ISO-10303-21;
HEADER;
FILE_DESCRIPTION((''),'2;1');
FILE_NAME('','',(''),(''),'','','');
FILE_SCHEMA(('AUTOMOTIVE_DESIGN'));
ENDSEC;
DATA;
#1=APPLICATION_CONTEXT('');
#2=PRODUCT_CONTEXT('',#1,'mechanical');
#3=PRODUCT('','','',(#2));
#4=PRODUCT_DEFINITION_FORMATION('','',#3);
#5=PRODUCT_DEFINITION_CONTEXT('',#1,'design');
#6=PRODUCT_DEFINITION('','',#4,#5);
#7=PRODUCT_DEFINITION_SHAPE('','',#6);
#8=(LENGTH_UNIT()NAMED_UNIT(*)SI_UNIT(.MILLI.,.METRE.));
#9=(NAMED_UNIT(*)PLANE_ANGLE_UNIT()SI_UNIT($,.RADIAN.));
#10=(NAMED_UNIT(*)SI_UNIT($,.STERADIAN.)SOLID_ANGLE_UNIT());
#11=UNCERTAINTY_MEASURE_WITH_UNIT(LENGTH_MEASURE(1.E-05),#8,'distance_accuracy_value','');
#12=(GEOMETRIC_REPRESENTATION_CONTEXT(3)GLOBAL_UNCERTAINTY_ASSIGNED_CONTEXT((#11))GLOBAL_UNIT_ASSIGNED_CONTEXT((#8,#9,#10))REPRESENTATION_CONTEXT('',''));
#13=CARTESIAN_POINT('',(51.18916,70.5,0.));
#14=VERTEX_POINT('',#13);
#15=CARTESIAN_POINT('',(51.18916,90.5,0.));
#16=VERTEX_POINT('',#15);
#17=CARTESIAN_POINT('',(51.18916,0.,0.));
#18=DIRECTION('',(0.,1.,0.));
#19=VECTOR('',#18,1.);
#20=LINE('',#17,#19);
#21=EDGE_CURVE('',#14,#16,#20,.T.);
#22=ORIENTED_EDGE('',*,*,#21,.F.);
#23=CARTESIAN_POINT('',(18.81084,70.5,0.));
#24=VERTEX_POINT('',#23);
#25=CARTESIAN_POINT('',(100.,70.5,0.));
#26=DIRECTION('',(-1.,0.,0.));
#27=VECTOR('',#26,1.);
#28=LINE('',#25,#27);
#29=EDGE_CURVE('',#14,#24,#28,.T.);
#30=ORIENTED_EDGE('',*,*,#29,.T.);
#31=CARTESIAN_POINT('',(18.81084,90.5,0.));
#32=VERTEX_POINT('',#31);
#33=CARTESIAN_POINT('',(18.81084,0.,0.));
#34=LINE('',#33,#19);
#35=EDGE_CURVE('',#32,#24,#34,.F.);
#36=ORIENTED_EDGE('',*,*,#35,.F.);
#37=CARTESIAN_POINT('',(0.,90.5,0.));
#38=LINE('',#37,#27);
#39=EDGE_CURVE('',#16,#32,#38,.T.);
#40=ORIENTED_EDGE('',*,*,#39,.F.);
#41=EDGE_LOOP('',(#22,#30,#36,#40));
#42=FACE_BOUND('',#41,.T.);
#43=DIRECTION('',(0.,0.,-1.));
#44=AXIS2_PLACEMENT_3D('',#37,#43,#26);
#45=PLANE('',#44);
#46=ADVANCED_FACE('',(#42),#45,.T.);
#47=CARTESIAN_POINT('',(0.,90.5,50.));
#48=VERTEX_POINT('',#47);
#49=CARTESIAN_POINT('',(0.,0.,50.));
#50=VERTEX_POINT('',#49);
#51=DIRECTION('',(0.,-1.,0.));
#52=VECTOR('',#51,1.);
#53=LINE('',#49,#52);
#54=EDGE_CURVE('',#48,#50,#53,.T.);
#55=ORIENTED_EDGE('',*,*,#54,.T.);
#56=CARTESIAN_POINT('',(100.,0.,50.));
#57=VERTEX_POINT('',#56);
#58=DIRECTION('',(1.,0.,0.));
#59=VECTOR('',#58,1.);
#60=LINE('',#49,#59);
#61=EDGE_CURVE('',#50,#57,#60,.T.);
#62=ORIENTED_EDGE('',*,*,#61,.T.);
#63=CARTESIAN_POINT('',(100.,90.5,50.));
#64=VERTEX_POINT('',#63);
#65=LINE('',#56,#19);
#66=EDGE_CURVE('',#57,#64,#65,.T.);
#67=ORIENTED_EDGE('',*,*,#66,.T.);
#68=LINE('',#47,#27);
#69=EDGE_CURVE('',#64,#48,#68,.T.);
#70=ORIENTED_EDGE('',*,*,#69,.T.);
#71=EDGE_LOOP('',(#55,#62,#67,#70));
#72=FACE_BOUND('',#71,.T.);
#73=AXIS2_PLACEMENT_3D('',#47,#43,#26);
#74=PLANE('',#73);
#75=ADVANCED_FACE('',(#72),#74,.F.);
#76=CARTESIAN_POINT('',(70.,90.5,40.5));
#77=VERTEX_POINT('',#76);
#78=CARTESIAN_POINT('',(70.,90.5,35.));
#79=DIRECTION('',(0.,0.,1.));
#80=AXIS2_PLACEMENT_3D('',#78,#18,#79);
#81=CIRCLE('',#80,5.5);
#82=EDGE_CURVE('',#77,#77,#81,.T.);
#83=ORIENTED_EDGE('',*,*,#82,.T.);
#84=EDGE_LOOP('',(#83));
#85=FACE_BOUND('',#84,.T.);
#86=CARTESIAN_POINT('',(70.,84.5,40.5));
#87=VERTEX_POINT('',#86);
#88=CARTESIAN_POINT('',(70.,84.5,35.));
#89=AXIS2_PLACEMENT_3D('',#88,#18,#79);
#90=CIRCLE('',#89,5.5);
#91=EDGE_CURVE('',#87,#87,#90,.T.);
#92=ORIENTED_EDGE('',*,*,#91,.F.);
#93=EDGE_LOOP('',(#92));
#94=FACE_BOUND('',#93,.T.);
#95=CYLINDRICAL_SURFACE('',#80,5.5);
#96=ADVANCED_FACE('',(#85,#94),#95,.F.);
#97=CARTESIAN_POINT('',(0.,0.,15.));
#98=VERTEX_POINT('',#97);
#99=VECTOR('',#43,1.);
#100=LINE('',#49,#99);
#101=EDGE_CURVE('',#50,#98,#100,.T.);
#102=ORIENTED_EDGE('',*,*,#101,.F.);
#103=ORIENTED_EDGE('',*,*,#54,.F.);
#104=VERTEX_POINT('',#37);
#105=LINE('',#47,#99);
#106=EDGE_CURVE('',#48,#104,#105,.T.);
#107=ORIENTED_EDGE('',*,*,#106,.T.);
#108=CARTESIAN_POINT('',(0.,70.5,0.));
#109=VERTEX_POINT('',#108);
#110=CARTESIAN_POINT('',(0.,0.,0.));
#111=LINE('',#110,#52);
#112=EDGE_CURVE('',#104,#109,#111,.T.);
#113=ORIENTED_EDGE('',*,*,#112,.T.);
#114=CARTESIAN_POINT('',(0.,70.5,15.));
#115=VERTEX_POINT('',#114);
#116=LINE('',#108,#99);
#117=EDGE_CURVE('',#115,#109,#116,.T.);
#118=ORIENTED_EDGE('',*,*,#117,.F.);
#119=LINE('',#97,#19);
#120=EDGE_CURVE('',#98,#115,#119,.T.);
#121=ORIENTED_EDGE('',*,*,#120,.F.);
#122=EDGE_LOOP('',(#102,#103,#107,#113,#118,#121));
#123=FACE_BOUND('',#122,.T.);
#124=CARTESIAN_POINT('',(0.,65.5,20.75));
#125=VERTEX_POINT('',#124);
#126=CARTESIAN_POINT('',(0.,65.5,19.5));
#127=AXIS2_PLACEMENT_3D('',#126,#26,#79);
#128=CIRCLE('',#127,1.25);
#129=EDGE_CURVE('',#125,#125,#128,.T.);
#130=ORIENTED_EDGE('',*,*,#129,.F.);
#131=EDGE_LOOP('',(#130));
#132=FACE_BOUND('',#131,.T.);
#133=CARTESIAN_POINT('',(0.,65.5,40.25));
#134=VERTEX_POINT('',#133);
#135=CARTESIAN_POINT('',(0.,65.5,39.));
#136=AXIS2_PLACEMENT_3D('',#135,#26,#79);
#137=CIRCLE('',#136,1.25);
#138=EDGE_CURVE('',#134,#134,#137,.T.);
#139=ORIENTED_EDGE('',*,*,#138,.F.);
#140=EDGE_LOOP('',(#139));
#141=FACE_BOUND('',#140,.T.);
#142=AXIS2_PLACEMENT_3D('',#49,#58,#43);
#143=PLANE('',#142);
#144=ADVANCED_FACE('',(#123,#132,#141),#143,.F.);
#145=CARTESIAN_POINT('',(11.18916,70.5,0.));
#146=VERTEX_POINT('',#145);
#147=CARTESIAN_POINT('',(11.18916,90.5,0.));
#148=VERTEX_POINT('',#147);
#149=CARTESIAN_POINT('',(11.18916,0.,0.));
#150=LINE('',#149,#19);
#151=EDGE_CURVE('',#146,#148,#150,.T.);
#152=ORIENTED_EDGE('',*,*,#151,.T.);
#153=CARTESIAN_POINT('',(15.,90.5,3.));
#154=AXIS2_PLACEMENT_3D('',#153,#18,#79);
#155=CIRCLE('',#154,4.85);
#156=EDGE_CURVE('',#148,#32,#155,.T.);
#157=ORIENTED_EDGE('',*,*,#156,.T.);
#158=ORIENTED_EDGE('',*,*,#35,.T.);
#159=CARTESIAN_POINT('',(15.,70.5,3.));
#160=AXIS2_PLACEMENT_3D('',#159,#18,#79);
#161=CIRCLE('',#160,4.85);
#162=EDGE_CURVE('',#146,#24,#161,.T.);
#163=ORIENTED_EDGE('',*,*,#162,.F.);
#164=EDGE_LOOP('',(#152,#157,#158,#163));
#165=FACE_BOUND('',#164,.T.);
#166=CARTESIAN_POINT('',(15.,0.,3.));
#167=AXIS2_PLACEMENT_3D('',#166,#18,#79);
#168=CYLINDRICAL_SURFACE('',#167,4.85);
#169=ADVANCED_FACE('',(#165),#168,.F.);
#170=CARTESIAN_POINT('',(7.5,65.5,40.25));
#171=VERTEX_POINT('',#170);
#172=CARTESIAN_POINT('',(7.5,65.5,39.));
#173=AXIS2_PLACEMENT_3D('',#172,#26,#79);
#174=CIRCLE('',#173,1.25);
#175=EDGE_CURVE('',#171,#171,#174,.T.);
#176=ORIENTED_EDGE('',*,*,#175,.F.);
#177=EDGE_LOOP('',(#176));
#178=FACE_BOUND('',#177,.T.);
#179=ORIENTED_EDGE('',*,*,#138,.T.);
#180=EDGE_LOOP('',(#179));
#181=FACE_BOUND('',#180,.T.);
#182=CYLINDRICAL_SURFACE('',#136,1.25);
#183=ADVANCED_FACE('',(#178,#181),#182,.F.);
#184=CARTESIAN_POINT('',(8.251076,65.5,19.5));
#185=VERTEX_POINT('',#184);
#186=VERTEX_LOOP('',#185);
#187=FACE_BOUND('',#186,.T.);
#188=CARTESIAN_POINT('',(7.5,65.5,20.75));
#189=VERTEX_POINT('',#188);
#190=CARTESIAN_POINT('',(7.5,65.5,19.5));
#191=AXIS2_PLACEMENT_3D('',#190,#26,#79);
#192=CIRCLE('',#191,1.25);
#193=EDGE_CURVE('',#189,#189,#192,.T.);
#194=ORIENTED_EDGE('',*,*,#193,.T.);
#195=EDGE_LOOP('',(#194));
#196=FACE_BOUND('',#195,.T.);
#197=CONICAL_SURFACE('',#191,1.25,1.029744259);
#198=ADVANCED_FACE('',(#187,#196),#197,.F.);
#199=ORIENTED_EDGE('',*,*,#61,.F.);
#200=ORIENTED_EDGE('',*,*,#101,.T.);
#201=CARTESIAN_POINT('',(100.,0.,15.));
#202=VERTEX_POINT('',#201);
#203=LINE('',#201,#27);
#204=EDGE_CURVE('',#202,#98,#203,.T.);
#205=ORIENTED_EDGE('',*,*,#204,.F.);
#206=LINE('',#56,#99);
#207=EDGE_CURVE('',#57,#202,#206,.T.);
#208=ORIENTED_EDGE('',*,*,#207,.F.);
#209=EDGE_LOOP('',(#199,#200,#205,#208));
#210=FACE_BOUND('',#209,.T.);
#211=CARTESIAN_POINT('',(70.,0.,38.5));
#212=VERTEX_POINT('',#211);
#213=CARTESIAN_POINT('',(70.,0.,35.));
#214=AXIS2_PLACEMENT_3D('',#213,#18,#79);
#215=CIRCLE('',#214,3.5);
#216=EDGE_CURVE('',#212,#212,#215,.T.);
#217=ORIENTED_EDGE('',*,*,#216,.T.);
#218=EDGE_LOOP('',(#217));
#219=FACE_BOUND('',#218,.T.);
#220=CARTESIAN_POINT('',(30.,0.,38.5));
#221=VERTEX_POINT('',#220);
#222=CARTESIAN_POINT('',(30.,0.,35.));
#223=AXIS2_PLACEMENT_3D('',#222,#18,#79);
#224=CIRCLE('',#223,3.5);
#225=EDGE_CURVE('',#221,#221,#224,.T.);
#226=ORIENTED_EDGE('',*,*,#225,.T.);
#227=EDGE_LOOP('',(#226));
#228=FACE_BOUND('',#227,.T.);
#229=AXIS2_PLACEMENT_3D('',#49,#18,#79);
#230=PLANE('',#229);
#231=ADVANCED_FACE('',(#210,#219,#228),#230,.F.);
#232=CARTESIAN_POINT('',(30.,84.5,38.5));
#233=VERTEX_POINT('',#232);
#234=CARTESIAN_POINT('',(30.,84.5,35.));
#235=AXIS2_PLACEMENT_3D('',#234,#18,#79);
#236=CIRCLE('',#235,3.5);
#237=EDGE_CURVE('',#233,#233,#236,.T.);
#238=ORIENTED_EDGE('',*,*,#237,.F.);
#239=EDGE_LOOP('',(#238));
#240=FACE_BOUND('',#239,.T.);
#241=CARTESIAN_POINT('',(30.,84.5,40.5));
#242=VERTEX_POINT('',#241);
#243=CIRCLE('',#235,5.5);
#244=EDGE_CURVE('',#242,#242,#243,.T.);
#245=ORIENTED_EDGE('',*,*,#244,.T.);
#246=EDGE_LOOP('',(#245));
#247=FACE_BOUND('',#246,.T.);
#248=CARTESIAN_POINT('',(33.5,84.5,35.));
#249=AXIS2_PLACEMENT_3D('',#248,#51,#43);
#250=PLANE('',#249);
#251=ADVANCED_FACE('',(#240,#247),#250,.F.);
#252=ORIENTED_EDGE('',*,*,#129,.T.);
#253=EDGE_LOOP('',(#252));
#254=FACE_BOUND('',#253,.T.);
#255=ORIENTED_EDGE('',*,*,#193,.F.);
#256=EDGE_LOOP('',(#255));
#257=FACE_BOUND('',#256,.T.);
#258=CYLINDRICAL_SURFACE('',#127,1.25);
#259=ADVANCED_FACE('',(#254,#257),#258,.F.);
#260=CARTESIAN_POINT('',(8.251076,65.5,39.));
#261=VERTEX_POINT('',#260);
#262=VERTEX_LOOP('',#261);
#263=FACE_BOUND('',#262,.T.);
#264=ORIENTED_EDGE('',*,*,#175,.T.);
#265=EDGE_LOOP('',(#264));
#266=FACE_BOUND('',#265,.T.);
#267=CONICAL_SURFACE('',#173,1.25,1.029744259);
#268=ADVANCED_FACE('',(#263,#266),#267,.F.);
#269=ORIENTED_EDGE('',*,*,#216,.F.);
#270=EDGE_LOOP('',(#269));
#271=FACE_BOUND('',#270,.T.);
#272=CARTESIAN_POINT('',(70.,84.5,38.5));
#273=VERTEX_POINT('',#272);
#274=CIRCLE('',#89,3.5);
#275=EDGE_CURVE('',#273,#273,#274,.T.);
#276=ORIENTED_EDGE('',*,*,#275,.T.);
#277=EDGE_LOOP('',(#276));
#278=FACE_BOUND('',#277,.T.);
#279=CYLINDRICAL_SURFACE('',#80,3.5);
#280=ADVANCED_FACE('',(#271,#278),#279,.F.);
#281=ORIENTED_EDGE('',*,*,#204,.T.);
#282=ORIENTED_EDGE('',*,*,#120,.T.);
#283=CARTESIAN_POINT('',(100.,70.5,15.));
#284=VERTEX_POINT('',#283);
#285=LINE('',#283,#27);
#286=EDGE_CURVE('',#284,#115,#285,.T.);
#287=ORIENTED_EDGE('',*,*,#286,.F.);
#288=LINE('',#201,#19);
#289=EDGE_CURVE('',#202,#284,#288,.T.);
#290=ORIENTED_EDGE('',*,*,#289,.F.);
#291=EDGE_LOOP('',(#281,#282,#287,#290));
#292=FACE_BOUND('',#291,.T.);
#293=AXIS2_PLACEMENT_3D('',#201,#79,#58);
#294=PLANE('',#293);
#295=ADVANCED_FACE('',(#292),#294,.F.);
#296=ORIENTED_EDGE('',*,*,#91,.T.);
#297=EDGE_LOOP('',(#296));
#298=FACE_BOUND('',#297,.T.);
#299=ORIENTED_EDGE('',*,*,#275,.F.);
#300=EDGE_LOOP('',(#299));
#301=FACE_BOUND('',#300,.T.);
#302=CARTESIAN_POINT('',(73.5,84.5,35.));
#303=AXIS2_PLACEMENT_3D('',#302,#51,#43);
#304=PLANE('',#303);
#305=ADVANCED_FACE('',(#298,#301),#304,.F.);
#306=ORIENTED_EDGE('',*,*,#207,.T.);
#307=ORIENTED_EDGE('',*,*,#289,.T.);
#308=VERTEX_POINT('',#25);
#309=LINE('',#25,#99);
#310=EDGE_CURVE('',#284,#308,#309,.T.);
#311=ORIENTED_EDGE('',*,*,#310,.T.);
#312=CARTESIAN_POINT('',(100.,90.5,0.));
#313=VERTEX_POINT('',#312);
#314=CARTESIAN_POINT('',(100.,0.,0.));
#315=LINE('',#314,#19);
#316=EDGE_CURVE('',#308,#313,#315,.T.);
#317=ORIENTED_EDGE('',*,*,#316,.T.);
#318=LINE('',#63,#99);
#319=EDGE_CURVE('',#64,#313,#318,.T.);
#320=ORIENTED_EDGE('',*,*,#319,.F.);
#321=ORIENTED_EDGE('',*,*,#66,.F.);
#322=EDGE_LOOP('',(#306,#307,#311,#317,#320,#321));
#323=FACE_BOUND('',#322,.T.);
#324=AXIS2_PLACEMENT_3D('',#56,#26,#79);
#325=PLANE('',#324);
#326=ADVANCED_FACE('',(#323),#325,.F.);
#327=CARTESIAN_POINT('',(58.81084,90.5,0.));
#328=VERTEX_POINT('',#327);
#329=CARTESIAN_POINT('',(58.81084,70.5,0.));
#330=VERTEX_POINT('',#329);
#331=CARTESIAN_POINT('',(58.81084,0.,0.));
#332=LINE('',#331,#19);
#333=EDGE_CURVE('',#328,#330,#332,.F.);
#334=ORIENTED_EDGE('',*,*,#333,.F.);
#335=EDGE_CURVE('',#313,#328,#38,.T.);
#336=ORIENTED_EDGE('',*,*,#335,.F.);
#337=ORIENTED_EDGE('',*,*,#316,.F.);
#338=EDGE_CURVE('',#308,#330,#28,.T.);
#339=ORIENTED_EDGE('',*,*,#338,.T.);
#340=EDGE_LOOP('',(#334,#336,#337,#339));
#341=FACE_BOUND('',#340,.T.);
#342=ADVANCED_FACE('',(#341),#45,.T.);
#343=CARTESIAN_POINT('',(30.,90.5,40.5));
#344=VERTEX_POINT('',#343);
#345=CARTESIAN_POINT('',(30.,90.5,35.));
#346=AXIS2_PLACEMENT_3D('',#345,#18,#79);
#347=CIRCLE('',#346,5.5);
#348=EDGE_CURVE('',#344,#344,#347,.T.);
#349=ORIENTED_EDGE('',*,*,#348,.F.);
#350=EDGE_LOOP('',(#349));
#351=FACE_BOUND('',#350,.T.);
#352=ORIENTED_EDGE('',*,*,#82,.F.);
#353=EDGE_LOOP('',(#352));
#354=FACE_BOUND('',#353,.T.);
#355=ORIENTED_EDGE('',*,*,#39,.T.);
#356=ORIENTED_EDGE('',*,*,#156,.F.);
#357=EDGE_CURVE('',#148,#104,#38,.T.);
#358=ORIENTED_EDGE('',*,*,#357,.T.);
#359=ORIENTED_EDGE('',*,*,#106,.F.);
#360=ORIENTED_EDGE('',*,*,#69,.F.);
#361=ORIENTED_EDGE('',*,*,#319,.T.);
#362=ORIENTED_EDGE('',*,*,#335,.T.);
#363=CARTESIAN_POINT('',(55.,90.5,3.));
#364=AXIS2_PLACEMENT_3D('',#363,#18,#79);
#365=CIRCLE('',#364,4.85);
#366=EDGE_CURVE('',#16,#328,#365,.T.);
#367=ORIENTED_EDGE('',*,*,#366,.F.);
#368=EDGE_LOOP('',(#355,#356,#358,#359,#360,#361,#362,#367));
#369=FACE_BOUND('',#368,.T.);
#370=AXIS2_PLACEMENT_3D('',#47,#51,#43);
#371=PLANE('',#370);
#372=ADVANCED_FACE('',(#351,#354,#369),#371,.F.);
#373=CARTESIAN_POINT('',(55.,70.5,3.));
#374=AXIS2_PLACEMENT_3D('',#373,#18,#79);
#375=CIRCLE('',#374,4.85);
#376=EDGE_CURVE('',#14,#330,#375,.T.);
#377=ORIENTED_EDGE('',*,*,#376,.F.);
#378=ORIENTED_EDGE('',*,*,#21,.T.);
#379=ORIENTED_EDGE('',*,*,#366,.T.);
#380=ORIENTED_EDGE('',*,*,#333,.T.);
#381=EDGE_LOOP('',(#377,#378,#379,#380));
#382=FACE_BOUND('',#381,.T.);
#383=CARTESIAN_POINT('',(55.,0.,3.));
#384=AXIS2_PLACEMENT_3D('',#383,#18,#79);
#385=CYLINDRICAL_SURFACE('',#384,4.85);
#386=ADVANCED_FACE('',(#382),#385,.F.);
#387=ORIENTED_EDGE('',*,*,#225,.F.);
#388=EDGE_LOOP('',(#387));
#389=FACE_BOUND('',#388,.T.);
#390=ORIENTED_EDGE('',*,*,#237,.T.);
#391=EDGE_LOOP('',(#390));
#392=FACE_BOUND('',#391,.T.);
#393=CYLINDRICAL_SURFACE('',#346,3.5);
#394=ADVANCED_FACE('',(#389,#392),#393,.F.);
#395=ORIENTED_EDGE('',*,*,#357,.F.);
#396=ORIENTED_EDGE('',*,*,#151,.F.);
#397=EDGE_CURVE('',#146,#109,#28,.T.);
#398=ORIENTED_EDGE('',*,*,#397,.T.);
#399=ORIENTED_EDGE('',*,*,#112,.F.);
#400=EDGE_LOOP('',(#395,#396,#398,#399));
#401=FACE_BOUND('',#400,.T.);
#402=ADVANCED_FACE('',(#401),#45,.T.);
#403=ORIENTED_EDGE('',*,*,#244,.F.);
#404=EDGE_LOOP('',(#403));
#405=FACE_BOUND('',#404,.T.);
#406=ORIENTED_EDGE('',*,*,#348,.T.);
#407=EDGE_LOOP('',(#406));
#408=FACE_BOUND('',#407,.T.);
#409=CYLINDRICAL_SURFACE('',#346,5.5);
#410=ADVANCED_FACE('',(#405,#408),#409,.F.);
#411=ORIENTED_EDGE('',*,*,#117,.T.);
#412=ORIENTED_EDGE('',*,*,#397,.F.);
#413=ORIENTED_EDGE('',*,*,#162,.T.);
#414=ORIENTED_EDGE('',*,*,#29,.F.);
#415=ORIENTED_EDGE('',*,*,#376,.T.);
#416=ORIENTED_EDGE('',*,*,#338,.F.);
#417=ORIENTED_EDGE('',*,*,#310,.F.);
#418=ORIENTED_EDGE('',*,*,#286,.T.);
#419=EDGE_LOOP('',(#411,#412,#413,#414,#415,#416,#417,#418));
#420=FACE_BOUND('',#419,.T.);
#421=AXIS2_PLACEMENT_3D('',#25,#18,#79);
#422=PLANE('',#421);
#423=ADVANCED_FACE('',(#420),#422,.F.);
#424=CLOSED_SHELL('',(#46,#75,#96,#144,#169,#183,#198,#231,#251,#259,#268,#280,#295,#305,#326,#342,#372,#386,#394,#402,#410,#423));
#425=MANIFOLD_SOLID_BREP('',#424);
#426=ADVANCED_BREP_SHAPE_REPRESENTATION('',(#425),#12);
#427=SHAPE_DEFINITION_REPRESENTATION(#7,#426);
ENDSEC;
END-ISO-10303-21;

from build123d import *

# Parameters (mm, degrees)
SKETCH_1_W                   = 100
SKETCH_1_H                   = 90.5
EXTRUDE_1_DEPTH              = 50
SKETCH_2_W                   = 15
SKETCH_2_H                   = 70.5
CUT_EXTRUDE_1_DEPTH          = 144.841058116
SKETCH_4_R                   = 4.85
CUT_EXTRUDE_3_DEPTH          = 144.841058116
HOLE_WIZARD_M6_1_D           = 7
HOLE_WIZARD_M6_1_CBORE_D     = 11
HOLE_WIZARD_M6_1_CBORE_DEPTH = 6
HOLE_WIZARD_M3_1_D           = 2.5
HOLE_WIZARD_M3_1_DEPTH       = 7.5
HOLE_WIZARD_M3_1_TIP         = 0.751075774


with BuildPart() as part:
    # 草图1 → 凸台-拉伸1 (new body)
    with BuildSketch(Plane.XY):
        with Locations((50, 45.25)):
            Rectangle(SKETCH_1_W, SKETCH_1_H)
    extrude(amount=EXTRUDE_1_DEPTH)

    # 草图2 → 切除-拉伸1 (cut, through all)
    with BuildSketch(Plane.ZY):
        with Locations((7.5, 35.25)):
            Rectangle(SKETCH_2_W, SKETCH_2_H)
    extrude(amount=-CUT_EXTRUDE_1_DEPTH, mode=Mode.SUBTRACT)

    # 草图4 → 切除-拉伸3 (cut, through all)
    with BuildSketch(Plane(origin=(0, 90.5, 0), x_dir=(1, 0, 0), z_dir=(0, 1, 0))):
        with Locations((15, -3)):
            Circle(SKETCH_4_R)
        with Locations((55, -3)):
            Circle(SKETCH_4_R)
    extrude(amount=-CUT_EXTRUDE_3_DEPTH, mode=Mode.SUBTRACT)

    # M6 六角凹头螺钉的柱形沉头孔1 (through all)
    with Locations(Plane(origin=(0, 90.5, 0), x_dir=(-1, 0, 0), z_dir=(0, 1, 0))):
        with Locations((-30, 35), (-70, 35)):
            CounterBoreHole(HOLE_WIZARD_M6_1_D / 2, HOLE_WIZARD_M6_1_CBORE_D / 2, HOLE_WIZARD_M6_1_CBORE_DEPTH)

    # M3 螺纹孔1
    with Locations(Plane.ZY):
        with Locations((39, 65.5), (19.5, 65.5)):
            Hole(HOLE_WIZARD_M3_1_D / 2, depth=HOLE_WIZARD_M3_1_DEPTH)
            with Locations((0, 0, -(HOLE_WIZARD_M3_1_DEPTH + HOLE_WIZARD_M3_1_TIP / 2))):  # 118° drill point
                Cone(0, HOLE_WIZARD_M3_1_D / 2, HOLE_WIZARD_M3_1_TIP, mode=Mode.SUBTRACT)


solid = part.part
